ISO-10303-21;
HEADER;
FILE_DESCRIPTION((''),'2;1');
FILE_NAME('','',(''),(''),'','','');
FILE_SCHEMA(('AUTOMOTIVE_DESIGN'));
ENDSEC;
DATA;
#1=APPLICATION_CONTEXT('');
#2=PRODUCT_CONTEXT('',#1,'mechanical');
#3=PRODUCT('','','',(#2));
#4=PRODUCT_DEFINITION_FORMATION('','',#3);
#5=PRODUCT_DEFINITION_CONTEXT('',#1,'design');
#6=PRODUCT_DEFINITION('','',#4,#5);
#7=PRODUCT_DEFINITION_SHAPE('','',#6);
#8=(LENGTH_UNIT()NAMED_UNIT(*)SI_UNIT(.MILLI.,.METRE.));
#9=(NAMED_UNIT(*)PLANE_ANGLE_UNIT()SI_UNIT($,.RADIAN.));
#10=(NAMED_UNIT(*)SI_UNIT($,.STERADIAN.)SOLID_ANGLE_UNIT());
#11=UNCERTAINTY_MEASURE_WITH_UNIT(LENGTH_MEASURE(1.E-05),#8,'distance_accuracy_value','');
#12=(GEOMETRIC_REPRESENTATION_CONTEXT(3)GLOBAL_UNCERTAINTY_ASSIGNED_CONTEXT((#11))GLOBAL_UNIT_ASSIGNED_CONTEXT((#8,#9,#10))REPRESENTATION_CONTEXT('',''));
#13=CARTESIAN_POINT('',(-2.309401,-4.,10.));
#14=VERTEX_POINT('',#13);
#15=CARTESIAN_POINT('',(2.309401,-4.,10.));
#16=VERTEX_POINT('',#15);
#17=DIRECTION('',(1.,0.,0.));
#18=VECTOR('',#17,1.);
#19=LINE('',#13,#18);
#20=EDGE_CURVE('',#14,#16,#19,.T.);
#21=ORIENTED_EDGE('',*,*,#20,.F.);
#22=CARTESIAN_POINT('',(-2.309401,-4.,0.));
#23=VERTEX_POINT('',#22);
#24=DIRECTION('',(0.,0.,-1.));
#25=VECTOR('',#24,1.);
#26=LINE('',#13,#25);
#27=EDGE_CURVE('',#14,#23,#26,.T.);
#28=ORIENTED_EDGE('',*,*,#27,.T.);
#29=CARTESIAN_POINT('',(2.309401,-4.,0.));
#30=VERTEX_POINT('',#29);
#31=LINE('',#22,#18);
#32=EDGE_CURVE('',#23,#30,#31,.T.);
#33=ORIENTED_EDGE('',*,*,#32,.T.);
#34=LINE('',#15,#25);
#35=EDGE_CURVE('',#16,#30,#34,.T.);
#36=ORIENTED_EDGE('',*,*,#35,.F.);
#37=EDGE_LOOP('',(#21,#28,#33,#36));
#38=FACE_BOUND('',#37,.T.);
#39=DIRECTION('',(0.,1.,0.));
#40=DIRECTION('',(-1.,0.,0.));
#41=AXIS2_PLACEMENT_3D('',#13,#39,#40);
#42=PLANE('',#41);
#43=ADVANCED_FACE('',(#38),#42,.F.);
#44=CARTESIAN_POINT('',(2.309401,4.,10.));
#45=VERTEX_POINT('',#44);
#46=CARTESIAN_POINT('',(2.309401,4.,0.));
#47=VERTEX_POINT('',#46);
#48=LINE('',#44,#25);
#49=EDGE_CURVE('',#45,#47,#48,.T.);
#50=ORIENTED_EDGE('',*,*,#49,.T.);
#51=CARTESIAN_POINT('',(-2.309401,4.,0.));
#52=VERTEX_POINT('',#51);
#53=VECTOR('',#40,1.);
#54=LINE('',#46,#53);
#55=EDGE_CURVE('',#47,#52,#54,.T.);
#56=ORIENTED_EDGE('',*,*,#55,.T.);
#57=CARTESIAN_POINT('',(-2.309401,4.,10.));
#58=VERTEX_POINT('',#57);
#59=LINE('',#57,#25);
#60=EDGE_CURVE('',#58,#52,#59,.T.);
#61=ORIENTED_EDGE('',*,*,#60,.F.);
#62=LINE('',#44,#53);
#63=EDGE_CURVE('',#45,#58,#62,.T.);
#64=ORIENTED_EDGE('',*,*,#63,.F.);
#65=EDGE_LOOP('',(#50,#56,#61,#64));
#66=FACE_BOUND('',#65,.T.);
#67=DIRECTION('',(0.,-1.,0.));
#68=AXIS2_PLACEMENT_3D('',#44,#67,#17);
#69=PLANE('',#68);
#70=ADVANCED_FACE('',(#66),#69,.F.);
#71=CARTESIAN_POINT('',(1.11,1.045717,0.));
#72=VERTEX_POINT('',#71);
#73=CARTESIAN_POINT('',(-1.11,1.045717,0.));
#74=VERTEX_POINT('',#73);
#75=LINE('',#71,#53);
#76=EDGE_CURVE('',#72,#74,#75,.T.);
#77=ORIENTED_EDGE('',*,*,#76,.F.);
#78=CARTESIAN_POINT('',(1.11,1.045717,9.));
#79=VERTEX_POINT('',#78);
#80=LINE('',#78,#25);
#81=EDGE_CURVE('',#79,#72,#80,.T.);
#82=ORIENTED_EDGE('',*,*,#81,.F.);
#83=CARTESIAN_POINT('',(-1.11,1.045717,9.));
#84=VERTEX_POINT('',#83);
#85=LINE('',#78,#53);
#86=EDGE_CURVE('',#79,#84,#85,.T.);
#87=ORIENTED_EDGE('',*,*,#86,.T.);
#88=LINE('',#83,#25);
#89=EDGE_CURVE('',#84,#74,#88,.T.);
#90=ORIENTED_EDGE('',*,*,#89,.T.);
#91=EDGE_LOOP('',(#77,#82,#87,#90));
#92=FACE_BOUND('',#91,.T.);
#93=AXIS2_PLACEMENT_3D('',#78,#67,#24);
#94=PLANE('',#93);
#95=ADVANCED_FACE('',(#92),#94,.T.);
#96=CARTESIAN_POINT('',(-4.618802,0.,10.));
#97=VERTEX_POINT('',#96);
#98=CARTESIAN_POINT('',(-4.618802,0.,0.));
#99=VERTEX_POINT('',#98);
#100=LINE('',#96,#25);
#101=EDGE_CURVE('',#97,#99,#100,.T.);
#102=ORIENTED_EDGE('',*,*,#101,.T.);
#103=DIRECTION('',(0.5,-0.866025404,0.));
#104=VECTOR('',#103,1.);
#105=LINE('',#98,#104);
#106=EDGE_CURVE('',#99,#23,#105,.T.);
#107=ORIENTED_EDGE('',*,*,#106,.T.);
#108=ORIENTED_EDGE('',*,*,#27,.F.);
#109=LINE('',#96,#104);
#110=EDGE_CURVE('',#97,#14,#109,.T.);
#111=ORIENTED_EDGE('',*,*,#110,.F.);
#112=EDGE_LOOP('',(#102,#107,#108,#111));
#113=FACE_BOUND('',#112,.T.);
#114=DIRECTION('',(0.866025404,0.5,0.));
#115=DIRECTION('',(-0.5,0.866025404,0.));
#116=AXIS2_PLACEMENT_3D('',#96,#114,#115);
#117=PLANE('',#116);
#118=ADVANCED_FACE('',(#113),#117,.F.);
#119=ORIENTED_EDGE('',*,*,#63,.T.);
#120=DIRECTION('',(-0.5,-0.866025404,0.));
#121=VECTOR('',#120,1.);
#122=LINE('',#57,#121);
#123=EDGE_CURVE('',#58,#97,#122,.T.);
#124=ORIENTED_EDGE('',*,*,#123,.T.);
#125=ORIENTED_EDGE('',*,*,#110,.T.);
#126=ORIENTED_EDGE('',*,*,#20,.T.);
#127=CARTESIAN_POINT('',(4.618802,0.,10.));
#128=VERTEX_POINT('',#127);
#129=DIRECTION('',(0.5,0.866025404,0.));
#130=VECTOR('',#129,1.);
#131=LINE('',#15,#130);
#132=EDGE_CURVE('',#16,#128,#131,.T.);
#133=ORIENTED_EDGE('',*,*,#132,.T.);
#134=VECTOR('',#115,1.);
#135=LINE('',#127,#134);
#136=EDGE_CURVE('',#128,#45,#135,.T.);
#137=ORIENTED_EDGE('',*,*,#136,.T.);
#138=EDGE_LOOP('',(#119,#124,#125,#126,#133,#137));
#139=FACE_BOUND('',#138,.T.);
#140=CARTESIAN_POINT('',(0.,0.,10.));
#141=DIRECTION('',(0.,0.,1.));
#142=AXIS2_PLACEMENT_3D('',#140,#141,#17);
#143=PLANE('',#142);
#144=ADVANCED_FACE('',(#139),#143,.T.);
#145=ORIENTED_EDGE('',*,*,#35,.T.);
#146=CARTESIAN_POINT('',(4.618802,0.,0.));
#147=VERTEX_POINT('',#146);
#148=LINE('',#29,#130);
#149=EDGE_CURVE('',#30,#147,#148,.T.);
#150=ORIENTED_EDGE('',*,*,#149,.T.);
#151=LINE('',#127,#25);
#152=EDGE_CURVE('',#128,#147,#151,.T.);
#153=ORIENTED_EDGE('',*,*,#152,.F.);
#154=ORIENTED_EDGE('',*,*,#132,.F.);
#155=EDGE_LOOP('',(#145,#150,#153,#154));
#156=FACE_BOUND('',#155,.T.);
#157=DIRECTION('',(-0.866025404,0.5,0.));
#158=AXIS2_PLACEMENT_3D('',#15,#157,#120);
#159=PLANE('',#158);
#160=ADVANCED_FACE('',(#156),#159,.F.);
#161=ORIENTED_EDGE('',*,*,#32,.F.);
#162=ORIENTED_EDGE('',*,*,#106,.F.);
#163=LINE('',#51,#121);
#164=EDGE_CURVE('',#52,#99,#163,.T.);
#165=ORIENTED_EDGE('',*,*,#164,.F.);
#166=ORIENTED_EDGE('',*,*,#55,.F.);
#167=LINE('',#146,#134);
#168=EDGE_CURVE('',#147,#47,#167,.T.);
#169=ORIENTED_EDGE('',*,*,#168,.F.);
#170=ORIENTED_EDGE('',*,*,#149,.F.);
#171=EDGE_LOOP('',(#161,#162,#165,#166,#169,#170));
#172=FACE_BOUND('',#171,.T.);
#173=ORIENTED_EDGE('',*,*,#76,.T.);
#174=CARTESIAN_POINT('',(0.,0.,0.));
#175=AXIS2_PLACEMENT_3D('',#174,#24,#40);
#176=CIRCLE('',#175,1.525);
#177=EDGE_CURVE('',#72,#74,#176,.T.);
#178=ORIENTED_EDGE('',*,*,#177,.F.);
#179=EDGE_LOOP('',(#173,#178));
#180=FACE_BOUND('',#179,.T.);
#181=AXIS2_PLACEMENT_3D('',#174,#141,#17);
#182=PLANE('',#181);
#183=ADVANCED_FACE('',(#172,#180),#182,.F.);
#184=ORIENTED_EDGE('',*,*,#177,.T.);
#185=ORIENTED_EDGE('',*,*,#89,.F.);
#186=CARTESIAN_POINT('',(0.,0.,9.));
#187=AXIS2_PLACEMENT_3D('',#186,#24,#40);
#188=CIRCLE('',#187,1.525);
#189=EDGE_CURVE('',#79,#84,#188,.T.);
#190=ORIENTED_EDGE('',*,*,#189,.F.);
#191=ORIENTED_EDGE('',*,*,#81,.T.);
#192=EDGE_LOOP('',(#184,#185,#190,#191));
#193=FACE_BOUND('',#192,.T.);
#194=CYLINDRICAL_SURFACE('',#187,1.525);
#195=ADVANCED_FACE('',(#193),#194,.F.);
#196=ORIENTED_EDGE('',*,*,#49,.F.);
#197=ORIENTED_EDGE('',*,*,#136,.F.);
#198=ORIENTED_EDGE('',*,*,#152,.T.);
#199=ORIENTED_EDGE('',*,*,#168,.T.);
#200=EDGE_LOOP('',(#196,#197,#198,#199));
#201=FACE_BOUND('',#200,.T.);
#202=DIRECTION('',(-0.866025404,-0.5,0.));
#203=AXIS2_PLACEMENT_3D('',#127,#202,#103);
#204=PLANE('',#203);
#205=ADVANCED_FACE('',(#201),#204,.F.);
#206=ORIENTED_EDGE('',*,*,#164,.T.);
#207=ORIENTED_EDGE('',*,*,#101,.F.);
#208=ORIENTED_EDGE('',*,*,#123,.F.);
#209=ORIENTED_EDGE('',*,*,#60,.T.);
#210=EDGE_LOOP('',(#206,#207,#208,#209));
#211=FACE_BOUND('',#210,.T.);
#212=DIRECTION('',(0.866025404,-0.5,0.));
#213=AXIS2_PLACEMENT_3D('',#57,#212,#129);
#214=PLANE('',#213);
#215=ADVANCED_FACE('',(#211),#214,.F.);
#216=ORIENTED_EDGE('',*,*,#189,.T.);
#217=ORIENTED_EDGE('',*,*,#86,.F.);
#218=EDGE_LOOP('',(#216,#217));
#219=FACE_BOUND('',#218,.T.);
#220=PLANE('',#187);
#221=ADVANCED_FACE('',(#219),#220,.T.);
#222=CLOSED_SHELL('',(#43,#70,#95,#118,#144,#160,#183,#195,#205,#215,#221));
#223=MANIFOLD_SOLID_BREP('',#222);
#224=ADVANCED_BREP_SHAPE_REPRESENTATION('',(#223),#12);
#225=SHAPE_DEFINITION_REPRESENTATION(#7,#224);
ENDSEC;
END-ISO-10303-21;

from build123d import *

# Parameters (mm, degrees)
BOSS_EXTRUDE1_DEPTH = 10
CUT_EXTRUDE1_DEPTH  = 9


with BuildPart() as part:
    # Sketch1 → Boss-Extrude1 (new body)
    with BuildSketch(Plane.XY):
        Polygon((4.618802154, 0), (2.309401077, 4), (-2.309401077, 4), (-4.618802154, 0), (-2.309401077, -4), (2.309401077, -4), align=None)
    extrude(amount=BOSS_EXTRUDE1_DEPTH)

    # Sketch2 → Cut-Extrude1 (cut)
    with BuildSketch(Plane(origin=(0, 0, 0), x_dir=(-1, 0, 0), z_dir=(0, 0, -1))):
        with BuildLine():
            Line((-1.11, 1.045717457), (1.11, 1.045717457))
            ThreePointArc((1.11, 1.045717457), (0, -1.525), (-1.11, 1.045717457))
        make_face()
    extrude(amount=-CUT_EXTRUDE1_DEPTH, mode=Mode.SUBTRACT)


solid = part.part
